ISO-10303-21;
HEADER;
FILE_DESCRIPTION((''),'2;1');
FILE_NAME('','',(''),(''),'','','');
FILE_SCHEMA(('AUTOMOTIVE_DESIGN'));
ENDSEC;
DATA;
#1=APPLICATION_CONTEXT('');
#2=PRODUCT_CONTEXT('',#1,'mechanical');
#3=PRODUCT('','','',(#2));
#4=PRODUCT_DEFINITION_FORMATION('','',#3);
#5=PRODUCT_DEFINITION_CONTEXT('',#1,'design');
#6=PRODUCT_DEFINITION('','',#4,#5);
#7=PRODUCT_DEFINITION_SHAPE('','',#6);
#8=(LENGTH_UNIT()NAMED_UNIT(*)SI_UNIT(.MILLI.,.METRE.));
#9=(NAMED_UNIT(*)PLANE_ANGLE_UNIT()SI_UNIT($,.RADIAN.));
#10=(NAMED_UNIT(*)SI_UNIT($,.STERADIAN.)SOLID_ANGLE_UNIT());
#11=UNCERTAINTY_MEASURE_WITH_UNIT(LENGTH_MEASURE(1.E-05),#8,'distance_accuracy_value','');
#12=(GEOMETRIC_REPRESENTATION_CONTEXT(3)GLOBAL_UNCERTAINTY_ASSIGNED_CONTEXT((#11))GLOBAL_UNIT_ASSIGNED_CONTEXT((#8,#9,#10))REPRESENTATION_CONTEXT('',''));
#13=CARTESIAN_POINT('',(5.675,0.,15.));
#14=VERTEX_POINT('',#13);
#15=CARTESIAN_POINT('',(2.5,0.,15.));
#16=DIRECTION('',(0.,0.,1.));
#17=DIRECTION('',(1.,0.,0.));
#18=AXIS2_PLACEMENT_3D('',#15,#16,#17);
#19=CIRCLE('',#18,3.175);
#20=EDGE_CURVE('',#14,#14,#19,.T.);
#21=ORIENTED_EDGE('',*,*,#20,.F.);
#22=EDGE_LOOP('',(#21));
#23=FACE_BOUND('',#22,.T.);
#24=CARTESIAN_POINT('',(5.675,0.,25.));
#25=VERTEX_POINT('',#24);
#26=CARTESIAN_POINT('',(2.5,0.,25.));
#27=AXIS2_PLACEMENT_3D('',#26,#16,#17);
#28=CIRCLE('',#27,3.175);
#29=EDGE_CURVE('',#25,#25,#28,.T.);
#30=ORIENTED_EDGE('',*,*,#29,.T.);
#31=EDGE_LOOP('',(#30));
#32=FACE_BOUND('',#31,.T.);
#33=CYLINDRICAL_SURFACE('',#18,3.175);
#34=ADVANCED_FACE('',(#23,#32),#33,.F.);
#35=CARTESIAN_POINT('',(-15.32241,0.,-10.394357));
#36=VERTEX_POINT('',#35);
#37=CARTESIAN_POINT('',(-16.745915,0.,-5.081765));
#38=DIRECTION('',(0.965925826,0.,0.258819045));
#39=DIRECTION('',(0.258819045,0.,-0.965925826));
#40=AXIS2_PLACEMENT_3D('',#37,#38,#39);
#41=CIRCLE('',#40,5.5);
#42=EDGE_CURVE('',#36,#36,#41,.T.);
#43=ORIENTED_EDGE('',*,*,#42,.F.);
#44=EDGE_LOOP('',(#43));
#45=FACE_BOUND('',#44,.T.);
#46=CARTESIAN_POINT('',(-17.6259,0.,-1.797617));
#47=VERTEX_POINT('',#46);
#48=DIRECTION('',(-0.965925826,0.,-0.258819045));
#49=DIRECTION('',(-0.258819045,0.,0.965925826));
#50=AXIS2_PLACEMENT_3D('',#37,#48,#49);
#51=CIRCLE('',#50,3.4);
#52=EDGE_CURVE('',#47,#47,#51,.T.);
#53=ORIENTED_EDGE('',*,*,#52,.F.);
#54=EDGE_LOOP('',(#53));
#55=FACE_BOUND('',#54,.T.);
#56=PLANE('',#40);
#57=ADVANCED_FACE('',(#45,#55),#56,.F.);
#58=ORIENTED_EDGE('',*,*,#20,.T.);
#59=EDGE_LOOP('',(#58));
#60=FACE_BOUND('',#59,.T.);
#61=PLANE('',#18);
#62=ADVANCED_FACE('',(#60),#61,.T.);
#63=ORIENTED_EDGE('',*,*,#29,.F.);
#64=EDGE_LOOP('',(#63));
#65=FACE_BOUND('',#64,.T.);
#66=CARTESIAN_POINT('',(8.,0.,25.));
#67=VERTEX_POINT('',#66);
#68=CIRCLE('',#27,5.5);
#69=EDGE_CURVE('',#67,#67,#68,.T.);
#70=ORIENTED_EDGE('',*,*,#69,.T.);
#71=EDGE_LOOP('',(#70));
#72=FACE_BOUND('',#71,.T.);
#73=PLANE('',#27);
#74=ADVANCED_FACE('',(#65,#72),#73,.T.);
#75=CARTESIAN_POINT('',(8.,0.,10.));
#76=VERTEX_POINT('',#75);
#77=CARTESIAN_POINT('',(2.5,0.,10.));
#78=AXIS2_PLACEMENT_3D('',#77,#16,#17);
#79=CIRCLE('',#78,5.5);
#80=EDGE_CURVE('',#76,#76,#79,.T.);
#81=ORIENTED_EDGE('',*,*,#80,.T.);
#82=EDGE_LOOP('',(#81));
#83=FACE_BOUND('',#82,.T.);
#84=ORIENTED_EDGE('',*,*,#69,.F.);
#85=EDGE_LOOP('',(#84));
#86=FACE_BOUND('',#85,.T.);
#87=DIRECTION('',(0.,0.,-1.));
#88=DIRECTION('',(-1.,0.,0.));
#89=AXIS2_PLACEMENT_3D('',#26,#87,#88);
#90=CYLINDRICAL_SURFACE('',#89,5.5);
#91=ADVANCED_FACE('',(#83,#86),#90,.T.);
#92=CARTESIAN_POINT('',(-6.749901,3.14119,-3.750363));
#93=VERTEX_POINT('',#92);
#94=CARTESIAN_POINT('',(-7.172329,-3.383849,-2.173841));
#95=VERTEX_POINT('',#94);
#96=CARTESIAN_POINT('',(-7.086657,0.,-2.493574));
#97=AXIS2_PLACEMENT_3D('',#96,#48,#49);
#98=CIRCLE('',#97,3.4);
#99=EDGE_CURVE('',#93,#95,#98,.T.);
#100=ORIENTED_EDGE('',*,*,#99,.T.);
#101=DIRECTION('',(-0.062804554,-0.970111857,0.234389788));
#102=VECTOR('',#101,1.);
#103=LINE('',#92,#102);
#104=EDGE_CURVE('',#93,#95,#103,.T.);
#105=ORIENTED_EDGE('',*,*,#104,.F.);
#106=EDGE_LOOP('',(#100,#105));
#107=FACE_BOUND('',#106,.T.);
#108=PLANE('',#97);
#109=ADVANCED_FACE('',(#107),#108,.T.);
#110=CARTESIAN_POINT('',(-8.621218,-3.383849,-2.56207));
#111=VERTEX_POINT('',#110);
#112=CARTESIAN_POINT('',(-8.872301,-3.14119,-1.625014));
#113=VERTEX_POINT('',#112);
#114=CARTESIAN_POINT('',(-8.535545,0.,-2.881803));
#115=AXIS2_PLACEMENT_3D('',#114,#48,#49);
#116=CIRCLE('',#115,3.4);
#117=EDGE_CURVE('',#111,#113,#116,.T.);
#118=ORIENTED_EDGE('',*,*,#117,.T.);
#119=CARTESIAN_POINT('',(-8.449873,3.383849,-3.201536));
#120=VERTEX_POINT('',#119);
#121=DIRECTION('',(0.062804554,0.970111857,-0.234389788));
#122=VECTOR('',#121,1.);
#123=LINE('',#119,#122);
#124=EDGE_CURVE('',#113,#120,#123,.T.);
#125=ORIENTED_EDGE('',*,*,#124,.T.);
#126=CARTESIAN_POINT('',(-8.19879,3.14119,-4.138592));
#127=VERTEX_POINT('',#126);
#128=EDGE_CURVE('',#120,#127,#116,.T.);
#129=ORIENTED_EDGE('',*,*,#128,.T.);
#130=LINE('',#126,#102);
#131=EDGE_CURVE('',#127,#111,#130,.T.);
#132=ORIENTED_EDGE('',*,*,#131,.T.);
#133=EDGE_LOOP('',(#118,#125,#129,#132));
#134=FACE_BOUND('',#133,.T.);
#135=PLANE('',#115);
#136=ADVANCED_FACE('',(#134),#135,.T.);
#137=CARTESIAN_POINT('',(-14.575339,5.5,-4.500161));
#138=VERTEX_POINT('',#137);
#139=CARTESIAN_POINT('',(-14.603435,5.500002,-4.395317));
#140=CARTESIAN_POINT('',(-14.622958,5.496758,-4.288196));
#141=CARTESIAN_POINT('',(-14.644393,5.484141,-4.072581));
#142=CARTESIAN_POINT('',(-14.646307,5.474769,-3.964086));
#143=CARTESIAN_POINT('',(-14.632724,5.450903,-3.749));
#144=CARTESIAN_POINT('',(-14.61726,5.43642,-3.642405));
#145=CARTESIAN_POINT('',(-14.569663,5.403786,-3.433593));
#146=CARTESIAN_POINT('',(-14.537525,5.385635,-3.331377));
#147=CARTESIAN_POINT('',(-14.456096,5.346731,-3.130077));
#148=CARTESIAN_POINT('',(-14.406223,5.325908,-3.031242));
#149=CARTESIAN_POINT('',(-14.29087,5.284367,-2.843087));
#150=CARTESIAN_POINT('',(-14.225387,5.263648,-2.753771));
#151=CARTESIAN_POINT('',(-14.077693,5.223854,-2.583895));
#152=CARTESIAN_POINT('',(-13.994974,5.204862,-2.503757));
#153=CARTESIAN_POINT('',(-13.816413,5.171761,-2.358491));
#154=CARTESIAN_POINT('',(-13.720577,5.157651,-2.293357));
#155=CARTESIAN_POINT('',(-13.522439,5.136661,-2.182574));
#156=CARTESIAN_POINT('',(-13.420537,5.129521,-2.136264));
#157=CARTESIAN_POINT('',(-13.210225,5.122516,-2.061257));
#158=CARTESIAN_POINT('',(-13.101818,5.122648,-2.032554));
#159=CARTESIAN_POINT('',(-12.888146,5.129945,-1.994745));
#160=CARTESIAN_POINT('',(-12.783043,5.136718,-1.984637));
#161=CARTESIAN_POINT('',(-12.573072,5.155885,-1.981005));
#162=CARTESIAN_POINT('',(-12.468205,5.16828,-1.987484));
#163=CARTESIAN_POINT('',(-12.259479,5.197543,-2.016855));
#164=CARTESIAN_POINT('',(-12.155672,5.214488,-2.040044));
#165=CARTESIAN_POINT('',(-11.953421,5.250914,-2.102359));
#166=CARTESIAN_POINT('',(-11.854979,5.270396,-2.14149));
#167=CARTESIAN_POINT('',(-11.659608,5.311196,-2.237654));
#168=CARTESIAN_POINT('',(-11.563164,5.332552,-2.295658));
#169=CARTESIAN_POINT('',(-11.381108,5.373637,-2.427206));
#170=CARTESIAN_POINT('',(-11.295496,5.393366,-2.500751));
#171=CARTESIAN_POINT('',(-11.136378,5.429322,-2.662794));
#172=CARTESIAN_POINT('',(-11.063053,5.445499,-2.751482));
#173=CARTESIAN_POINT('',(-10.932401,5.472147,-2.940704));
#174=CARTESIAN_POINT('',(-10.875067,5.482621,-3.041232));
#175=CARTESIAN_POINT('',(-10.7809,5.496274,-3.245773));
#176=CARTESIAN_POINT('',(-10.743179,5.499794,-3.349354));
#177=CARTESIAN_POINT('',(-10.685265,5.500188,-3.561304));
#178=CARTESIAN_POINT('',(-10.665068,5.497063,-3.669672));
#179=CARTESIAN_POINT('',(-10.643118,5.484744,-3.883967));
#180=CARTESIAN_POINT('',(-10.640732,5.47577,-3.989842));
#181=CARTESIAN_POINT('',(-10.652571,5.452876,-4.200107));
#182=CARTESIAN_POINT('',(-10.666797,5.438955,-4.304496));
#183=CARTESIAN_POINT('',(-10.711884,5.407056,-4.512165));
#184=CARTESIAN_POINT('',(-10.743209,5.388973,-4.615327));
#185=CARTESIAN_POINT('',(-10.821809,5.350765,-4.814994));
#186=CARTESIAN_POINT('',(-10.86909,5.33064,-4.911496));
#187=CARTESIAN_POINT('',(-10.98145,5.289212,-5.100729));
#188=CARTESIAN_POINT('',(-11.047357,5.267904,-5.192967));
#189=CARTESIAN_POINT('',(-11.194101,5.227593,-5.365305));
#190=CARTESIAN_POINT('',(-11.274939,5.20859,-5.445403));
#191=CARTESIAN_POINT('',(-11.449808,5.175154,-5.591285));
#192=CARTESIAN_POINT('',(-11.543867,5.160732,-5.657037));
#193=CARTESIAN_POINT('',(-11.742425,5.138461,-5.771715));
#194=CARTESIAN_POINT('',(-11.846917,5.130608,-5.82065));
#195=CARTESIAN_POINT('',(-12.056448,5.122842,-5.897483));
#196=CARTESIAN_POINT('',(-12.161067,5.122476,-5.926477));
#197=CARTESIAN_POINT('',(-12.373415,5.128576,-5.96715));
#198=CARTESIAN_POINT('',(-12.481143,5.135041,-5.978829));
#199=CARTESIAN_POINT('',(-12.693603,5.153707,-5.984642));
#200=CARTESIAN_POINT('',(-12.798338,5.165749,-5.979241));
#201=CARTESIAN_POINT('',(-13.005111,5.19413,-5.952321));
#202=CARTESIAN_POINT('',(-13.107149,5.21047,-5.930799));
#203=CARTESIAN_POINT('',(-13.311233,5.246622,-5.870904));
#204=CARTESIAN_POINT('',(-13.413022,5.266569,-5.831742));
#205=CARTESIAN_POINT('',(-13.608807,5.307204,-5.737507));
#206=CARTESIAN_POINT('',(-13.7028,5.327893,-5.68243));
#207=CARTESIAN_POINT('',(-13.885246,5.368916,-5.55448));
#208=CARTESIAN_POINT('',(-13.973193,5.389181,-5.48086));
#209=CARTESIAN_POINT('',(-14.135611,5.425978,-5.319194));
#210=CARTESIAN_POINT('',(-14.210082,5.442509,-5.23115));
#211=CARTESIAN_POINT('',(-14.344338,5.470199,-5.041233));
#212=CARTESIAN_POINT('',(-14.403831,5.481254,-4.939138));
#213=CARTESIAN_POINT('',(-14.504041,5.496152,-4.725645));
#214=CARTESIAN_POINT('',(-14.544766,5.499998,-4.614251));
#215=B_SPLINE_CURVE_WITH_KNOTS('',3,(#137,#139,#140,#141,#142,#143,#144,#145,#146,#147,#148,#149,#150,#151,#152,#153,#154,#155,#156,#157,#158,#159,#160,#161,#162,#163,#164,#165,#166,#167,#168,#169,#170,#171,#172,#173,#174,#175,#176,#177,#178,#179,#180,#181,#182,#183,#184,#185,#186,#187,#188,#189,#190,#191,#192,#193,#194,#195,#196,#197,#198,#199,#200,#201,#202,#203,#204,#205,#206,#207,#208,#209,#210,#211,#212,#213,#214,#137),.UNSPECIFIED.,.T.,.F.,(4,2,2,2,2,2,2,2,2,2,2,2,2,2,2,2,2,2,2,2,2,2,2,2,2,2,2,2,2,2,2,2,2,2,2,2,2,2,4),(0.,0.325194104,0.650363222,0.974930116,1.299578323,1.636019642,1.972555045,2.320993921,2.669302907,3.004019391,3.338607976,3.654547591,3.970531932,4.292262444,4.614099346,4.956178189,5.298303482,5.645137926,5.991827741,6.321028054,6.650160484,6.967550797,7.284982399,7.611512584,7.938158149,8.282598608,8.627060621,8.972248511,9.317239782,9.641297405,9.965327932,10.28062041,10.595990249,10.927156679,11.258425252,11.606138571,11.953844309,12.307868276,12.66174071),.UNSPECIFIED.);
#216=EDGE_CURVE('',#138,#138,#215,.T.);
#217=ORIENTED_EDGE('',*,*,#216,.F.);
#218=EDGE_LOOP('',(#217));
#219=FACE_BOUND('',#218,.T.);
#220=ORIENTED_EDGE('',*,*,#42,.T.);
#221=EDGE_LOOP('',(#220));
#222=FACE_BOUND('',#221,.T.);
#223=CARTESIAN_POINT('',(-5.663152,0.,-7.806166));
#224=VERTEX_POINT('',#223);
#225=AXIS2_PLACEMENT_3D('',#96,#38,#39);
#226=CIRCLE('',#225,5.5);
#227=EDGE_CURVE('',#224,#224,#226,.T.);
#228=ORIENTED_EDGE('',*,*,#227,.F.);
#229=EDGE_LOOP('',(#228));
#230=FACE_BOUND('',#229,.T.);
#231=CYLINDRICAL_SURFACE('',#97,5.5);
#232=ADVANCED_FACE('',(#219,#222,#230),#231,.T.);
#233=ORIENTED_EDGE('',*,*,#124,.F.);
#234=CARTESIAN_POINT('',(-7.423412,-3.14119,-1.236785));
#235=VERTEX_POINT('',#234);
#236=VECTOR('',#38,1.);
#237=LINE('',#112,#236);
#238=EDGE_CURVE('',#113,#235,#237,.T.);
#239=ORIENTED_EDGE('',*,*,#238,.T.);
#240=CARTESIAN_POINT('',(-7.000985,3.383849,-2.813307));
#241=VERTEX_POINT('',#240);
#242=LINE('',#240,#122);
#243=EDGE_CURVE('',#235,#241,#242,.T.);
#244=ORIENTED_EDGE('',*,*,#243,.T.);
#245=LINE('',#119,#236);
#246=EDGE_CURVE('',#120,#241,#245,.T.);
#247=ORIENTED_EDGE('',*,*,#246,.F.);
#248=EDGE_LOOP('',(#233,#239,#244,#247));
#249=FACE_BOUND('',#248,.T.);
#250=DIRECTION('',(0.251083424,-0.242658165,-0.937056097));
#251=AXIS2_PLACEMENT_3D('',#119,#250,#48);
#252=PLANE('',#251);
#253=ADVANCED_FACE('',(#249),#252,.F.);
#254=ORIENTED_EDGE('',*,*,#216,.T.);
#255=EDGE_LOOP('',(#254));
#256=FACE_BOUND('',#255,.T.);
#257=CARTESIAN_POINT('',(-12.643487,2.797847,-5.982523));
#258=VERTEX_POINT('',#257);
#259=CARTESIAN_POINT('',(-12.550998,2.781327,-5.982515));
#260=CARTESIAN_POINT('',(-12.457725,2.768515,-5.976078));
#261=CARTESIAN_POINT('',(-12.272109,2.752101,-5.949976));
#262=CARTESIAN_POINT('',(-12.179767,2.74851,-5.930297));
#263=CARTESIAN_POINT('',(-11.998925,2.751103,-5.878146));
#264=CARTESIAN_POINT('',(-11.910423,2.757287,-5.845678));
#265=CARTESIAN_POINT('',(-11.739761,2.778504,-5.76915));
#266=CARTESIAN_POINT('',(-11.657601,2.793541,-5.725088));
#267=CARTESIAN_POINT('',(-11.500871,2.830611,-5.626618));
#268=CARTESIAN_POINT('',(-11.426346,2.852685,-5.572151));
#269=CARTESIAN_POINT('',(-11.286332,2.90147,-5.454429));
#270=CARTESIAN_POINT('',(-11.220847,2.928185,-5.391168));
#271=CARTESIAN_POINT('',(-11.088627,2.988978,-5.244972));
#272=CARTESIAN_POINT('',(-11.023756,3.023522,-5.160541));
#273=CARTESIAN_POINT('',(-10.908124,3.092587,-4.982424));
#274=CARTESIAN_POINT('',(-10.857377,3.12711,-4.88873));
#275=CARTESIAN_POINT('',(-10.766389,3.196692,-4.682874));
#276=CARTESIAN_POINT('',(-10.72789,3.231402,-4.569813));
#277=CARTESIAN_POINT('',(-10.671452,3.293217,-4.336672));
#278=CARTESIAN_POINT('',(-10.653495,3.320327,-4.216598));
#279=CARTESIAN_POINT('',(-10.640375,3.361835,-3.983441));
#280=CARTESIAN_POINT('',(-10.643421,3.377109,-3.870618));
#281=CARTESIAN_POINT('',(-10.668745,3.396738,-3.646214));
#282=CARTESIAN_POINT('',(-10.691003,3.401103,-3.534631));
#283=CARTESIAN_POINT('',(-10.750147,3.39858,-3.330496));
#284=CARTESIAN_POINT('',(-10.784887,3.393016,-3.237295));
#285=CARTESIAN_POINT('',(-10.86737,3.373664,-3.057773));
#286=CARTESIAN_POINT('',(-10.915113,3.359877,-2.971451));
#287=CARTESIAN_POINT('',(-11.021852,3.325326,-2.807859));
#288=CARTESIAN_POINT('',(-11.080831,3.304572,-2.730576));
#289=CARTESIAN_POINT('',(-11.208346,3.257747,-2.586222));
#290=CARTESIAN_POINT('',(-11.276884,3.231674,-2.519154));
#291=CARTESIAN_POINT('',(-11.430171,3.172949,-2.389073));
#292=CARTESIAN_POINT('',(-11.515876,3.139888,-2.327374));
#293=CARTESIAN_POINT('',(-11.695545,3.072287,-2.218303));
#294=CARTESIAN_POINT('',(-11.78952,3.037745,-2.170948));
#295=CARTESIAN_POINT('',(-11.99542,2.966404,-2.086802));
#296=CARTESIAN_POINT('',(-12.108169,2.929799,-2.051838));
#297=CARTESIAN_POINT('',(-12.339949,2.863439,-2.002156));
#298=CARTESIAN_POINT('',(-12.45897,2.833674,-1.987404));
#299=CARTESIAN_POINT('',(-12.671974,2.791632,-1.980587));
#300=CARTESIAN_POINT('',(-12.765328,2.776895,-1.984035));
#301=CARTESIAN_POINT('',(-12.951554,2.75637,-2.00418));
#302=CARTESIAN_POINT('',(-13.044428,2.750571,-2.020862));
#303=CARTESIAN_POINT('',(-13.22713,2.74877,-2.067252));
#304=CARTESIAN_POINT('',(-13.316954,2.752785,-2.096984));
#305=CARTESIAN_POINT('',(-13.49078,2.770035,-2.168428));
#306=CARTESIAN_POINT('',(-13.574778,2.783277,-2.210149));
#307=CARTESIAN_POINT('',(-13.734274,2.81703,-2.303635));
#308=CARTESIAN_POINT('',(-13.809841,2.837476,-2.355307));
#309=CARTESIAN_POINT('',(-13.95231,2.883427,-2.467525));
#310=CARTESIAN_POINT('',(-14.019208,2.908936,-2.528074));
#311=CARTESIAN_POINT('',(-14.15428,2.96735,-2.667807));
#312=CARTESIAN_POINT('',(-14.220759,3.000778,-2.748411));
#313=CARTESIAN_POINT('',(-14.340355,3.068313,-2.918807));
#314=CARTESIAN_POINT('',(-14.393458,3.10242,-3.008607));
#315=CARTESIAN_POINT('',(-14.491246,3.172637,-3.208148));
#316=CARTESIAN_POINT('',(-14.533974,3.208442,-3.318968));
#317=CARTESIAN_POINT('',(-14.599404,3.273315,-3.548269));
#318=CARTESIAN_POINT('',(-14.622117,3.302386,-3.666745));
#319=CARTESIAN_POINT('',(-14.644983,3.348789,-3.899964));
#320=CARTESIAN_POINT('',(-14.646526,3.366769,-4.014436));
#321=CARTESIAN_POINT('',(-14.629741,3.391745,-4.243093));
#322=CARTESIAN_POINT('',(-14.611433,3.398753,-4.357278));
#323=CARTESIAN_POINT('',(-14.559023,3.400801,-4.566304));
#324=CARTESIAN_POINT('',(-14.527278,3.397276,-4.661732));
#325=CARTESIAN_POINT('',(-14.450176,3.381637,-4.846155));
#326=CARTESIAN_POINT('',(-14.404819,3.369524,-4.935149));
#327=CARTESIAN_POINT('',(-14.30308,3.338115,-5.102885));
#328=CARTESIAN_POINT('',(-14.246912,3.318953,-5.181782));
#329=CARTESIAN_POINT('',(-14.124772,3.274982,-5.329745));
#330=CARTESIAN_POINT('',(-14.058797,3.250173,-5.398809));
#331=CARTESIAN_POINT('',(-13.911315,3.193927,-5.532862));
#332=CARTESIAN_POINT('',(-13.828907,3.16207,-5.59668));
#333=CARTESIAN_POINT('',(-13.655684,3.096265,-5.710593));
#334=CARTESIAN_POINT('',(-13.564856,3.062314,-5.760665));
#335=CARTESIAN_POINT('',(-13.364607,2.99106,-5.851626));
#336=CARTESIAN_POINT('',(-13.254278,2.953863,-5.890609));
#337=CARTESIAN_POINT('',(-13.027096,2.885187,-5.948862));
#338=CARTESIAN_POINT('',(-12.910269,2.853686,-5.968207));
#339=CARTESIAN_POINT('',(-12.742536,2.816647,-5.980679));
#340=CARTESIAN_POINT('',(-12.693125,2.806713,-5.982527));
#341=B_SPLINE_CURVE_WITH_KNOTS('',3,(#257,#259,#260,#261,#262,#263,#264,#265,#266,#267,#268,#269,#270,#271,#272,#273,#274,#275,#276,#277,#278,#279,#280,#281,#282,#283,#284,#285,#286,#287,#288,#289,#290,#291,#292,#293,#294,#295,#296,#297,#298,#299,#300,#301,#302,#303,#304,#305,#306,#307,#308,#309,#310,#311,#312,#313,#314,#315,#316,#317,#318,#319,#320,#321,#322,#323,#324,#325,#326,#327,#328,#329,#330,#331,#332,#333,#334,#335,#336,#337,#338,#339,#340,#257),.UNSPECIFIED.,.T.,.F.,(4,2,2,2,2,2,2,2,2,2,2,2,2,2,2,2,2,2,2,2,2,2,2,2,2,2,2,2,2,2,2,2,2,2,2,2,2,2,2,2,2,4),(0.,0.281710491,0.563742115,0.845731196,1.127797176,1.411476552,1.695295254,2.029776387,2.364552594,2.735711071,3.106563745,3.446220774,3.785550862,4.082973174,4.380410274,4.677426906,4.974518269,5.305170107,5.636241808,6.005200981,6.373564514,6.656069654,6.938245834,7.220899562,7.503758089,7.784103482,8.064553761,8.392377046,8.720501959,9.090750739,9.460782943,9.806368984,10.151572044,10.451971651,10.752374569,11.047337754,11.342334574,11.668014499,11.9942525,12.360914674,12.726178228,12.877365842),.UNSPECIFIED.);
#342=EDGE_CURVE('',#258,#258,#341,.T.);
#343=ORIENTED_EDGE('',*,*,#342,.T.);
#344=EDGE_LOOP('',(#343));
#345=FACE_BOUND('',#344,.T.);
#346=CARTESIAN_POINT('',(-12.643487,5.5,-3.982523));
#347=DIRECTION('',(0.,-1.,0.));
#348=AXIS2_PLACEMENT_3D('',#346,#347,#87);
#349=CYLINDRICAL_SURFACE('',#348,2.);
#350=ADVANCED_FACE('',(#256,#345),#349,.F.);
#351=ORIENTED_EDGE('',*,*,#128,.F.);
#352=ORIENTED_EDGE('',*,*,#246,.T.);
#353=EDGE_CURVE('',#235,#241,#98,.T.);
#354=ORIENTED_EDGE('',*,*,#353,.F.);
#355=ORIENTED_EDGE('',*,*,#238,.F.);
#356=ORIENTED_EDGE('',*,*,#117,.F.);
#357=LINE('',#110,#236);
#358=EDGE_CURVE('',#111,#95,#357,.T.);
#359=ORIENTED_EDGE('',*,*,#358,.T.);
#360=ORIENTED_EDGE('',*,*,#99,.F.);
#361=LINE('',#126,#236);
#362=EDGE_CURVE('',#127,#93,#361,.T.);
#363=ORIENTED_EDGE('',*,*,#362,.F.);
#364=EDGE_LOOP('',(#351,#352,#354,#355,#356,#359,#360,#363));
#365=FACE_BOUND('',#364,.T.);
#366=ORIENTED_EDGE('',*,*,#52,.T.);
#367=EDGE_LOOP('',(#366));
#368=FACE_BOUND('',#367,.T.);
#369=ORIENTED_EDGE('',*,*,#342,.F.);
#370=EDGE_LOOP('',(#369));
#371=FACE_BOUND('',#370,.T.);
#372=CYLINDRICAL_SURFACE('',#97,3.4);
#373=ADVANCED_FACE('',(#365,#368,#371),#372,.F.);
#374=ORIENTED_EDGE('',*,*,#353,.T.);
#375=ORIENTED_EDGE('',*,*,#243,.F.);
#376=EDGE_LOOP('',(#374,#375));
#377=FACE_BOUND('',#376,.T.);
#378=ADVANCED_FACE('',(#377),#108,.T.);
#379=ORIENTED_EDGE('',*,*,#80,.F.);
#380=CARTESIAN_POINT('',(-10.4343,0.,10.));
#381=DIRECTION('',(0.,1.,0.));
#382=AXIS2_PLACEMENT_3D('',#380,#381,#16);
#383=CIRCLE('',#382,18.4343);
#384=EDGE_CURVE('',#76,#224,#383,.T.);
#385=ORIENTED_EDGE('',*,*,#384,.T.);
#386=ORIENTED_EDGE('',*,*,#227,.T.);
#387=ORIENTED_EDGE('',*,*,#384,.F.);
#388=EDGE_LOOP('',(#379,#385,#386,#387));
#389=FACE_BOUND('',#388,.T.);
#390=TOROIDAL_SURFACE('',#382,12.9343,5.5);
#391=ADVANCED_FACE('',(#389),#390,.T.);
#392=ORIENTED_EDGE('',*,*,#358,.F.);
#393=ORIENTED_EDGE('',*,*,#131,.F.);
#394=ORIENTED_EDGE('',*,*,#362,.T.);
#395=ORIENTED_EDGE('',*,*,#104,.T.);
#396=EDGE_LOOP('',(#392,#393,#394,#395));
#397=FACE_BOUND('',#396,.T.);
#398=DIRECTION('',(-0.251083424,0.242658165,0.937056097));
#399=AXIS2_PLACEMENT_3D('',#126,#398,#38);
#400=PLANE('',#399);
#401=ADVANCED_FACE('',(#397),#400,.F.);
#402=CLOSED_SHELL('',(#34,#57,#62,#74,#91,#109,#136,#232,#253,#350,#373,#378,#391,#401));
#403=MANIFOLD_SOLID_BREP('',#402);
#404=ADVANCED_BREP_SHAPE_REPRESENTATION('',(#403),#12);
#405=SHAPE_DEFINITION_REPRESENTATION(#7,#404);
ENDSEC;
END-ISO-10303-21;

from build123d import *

# Parameters (mm, degrees)
SKETCH4_R           = 5.5
SKETCH6_R           = 3.175
HOLE_SHAFT_DEPTH    = 10
SKETCH7_R           = 3.4
HOLE_POT_DEPTH      = 10
SKETCH8_R           = 2
HOLE_INSERT_DEPTH   = 6.5000001
BOSS_EXTRUDE3_DEPTH = 1.5


with BuildPart() as part:
    # Sweep2: sweep along a path in PROFILE
    with BuildLine(Plane(origin=(0, 0, 0), x_dir=(1, 0, 0), z_dir=(0, 1, 0))) as sweep2_path:
        Line((2.5, -25), (2.5, -10))
        ThreePointArc((2.5, -10), (-0.172829853, -2.126097159), (-7.086656691, 2.49357424))
        Line((-7.086656691, 2.49357424), (-16.745914953, 5.081764691))
    # Sketch4 → Sweep2 (sweep)
    with BuildSketch(Plane.XY.offset(25)):
        with Locations((2.5, 0)):
            Circle(SKETCH4_R)
    sweep(path=sweep2_path.line)

    # Sketch6 → HOLE_SHAFT (cut)
    with BuildSketch(Plane.XY.offset(25)):
        with Locations((2.5, 0)):
            Circle(SKETCH6_R)
    extrude(amount=-HOLE_SHAFT_DEPTH, mode=Mode.SUBTRACT)

    # Sketch7 → HOLE_POT (cut)
    with BuildSketch(Plane(origin=(-16.894592529, 0, -4.526892425), x_dir=(-0.258819045, 0, 0.965925826), z_dir=(-0.965925826, 0, -0.258819045))):
        with Locations((-0.57444604, 0)):
            Circle(SKETCH7_R)
    extrude(amount=-HOLE_POT_DEPTH, mode=Mode.SUBTRACT)

    # Sketch8 → HOLE_INSERT (cut, through all)
    with BuildSketch(Plane(origin=(0, 0, 0), x_dir=(1, 0, 0), z_dir=(0, 1, 0))):
        with Locations((-12.643487424, 3.982522547)):
            Circle(SKETCH8_R)
    extrude(amount=HOLE_INSERT_DEPTH, mode=Mode.SUBTRACT)

    # Sketch11 → Boss-Extrude3 (add)
    with BuildSketch(Plane(origin=(-7.235334266, 0, -1.938701974), x_dir=(-0.258819045, 0, 0.965925826), z_dir=(-0.965925826, 0, -0.258819045))):
        with BuildLine():
            Line((-0.905457853, 3.383848575), (0.72667763, -3.141190411))
            ThreePointArc((0.72667763, -3.141190411), (0.250591719, -3.298380314), (-0.243434227, -3.383848575))
            Line((-0.243434227, -3.383848575), (-1.87556971, 3.141190411))
            ThreePointArc((-1.87556971, 3.141190411), (-1.3994838, 3.298380314), (-0.905457853, 3.383848575))
        make_face()
    extrude(amount=BOSS_EXTRUDE3_DEPTH)


solid = part.part
